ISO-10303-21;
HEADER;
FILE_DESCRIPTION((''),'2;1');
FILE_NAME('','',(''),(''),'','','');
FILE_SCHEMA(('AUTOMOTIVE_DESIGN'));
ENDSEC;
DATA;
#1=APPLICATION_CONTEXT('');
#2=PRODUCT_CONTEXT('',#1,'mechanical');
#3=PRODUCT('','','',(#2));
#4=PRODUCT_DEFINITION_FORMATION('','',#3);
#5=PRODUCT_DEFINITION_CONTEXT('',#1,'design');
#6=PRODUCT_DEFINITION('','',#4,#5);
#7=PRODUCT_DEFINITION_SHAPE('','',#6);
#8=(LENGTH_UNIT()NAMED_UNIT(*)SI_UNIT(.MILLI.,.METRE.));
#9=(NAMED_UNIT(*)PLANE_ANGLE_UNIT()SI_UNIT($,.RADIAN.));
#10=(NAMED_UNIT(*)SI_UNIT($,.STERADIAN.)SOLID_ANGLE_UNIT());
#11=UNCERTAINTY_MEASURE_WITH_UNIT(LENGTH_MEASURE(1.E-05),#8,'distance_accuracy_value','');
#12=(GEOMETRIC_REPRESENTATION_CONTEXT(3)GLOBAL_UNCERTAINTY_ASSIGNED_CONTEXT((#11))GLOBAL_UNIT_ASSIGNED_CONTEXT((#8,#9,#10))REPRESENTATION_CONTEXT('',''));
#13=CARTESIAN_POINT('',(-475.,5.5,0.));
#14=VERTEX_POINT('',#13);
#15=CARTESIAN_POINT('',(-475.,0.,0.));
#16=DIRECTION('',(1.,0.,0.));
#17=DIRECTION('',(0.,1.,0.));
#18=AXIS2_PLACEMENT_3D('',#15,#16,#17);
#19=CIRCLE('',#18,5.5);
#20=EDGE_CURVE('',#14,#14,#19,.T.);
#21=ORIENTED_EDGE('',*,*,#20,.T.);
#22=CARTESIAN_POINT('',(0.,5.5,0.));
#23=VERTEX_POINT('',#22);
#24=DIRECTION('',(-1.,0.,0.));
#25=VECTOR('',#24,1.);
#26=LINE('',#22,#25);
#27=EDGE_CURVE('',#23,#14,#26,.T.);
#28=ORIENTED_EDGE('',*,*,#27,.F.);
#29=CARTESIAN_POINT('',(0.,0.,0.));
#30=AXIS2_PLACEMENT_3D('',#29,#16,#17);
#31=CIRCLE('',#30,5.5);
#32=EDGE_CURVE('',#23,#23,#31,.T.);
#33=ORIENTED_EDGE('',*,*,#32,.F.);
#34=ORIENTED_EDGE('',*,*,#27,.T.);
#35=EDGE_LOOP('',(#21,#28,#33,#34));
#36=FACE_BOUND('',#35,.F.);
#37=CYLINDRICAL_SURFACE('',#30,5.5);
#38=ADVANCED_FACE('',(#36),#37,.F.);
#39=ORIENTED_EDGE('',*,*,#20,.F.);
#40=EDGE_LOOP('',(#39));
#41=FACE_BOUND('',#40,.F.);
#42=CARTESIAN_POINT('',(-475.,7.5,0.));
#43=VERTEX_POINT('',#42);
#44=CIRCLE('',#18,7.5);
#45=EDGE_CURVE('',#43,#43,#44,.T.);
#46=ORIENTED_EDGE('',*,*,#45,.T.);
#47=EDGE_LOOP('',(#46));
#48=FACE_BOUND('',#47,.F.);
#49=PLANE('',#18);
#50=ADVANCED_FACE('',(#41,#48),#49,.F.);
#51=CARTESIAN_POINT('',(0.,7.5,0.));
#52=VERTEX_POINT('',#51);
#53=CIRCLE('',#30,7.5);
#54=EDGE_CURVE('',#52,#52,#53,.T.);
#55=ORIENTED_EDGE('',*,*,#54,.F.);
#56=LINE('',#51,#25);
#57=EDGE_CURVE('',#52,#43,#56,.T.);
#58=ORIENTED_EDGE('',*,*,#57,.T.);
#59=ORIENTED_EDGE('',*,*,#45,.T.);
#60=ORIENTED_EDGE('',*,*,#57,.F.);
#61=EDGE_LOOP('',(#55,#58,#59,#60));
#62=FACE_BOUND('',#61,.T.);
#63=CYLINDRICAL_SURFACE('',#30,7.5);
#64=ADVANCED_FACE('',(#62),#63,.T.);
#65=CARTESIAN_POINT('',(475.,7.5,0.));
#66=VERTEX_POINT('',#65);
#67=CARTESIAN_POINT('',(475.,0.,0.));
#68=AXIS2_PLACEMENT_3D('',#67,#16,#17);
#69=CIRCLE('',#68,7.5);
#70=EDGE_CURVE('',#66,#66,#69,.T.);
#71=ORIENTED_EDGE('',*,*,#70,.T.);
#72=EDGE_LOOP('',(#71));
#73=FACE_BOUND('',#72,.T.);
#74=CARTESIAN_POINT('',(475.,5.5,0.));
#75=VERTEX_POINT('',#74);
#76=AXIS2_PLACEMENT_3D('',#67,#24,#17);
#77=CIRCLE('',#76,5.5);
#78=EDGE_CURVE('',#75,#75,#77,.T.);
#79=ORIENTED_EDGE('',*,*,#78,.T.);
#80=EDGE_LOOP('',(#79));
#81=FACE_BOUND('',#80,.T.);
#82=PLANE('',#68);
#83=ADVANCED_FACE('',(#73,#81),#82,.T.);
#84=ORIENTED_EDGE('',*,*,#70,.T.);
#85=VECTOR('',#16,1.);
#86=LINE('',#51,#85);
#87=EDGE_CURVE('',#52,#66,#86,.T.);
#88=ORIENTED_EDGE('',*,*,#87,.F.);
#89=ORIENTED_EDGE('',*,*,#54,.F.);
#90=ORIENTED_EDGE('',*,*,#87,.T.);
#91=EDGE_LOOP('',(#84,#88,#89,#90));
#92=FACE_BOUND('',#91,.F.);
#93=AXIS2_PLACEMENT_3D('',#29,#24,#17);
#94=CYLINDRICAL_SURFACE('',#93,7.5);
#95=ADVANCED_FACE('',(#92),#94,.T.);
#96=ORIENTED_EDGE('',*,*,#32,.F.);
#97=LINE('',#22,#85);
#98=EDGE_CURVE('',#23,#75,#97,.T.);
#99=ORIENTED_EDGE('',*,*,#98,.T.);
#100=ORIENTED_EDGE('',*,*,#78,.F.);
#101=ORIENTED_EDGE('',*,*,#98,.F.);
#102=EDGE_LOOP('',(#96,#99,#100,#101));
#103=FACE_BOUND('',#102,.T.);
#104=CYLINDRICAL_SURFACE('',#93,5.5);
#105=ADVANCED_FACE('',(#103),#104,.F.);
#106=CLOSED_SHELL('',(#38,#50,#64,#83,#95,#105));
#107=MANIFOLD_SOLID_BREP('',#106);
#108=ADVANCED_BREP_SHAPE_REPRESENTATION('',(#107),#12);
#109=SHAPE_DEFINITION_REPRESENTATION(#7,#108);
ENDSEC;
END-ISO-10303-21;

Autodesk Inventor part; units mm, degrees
ref_plane "YZ Plane" through (0, 0, 0) normal (1, 0, 0) x (0, 1, 0)
ref_plane "XZ Plane" through (0, 0, 0) normal (0, 1, 0) x (-1, 0, 0)
ref_plane "XY Plane" through (0, 0, 0) normal (0, 0, 1) x (1, 0, 0)
sketch "スケッチ1" plane through (0, 0, 0) normal (1, 0, 0) x (0, 1, 0)
  circle A0 centre (0, 0) radius 7.5
  dimension "d0" = 15
extrude "押し出し1" add sketch "スケッチ1" along normal mid plane 950
shell "シェル1" thickness 2 removed faces 2 at (475, 1.2064, -0.2974) at (-475, 1.2064, -0.2974)
thread "ねじ1" size "M11x1.5" class "6H" standard "ANSI Metric M Profile" length 20
thread "ねじ2" size "M11x1.5" class "6H" standard "ANSI Metric M Profile" length 10
properties part number "pipe" material "鉄、可鍛鉄"
